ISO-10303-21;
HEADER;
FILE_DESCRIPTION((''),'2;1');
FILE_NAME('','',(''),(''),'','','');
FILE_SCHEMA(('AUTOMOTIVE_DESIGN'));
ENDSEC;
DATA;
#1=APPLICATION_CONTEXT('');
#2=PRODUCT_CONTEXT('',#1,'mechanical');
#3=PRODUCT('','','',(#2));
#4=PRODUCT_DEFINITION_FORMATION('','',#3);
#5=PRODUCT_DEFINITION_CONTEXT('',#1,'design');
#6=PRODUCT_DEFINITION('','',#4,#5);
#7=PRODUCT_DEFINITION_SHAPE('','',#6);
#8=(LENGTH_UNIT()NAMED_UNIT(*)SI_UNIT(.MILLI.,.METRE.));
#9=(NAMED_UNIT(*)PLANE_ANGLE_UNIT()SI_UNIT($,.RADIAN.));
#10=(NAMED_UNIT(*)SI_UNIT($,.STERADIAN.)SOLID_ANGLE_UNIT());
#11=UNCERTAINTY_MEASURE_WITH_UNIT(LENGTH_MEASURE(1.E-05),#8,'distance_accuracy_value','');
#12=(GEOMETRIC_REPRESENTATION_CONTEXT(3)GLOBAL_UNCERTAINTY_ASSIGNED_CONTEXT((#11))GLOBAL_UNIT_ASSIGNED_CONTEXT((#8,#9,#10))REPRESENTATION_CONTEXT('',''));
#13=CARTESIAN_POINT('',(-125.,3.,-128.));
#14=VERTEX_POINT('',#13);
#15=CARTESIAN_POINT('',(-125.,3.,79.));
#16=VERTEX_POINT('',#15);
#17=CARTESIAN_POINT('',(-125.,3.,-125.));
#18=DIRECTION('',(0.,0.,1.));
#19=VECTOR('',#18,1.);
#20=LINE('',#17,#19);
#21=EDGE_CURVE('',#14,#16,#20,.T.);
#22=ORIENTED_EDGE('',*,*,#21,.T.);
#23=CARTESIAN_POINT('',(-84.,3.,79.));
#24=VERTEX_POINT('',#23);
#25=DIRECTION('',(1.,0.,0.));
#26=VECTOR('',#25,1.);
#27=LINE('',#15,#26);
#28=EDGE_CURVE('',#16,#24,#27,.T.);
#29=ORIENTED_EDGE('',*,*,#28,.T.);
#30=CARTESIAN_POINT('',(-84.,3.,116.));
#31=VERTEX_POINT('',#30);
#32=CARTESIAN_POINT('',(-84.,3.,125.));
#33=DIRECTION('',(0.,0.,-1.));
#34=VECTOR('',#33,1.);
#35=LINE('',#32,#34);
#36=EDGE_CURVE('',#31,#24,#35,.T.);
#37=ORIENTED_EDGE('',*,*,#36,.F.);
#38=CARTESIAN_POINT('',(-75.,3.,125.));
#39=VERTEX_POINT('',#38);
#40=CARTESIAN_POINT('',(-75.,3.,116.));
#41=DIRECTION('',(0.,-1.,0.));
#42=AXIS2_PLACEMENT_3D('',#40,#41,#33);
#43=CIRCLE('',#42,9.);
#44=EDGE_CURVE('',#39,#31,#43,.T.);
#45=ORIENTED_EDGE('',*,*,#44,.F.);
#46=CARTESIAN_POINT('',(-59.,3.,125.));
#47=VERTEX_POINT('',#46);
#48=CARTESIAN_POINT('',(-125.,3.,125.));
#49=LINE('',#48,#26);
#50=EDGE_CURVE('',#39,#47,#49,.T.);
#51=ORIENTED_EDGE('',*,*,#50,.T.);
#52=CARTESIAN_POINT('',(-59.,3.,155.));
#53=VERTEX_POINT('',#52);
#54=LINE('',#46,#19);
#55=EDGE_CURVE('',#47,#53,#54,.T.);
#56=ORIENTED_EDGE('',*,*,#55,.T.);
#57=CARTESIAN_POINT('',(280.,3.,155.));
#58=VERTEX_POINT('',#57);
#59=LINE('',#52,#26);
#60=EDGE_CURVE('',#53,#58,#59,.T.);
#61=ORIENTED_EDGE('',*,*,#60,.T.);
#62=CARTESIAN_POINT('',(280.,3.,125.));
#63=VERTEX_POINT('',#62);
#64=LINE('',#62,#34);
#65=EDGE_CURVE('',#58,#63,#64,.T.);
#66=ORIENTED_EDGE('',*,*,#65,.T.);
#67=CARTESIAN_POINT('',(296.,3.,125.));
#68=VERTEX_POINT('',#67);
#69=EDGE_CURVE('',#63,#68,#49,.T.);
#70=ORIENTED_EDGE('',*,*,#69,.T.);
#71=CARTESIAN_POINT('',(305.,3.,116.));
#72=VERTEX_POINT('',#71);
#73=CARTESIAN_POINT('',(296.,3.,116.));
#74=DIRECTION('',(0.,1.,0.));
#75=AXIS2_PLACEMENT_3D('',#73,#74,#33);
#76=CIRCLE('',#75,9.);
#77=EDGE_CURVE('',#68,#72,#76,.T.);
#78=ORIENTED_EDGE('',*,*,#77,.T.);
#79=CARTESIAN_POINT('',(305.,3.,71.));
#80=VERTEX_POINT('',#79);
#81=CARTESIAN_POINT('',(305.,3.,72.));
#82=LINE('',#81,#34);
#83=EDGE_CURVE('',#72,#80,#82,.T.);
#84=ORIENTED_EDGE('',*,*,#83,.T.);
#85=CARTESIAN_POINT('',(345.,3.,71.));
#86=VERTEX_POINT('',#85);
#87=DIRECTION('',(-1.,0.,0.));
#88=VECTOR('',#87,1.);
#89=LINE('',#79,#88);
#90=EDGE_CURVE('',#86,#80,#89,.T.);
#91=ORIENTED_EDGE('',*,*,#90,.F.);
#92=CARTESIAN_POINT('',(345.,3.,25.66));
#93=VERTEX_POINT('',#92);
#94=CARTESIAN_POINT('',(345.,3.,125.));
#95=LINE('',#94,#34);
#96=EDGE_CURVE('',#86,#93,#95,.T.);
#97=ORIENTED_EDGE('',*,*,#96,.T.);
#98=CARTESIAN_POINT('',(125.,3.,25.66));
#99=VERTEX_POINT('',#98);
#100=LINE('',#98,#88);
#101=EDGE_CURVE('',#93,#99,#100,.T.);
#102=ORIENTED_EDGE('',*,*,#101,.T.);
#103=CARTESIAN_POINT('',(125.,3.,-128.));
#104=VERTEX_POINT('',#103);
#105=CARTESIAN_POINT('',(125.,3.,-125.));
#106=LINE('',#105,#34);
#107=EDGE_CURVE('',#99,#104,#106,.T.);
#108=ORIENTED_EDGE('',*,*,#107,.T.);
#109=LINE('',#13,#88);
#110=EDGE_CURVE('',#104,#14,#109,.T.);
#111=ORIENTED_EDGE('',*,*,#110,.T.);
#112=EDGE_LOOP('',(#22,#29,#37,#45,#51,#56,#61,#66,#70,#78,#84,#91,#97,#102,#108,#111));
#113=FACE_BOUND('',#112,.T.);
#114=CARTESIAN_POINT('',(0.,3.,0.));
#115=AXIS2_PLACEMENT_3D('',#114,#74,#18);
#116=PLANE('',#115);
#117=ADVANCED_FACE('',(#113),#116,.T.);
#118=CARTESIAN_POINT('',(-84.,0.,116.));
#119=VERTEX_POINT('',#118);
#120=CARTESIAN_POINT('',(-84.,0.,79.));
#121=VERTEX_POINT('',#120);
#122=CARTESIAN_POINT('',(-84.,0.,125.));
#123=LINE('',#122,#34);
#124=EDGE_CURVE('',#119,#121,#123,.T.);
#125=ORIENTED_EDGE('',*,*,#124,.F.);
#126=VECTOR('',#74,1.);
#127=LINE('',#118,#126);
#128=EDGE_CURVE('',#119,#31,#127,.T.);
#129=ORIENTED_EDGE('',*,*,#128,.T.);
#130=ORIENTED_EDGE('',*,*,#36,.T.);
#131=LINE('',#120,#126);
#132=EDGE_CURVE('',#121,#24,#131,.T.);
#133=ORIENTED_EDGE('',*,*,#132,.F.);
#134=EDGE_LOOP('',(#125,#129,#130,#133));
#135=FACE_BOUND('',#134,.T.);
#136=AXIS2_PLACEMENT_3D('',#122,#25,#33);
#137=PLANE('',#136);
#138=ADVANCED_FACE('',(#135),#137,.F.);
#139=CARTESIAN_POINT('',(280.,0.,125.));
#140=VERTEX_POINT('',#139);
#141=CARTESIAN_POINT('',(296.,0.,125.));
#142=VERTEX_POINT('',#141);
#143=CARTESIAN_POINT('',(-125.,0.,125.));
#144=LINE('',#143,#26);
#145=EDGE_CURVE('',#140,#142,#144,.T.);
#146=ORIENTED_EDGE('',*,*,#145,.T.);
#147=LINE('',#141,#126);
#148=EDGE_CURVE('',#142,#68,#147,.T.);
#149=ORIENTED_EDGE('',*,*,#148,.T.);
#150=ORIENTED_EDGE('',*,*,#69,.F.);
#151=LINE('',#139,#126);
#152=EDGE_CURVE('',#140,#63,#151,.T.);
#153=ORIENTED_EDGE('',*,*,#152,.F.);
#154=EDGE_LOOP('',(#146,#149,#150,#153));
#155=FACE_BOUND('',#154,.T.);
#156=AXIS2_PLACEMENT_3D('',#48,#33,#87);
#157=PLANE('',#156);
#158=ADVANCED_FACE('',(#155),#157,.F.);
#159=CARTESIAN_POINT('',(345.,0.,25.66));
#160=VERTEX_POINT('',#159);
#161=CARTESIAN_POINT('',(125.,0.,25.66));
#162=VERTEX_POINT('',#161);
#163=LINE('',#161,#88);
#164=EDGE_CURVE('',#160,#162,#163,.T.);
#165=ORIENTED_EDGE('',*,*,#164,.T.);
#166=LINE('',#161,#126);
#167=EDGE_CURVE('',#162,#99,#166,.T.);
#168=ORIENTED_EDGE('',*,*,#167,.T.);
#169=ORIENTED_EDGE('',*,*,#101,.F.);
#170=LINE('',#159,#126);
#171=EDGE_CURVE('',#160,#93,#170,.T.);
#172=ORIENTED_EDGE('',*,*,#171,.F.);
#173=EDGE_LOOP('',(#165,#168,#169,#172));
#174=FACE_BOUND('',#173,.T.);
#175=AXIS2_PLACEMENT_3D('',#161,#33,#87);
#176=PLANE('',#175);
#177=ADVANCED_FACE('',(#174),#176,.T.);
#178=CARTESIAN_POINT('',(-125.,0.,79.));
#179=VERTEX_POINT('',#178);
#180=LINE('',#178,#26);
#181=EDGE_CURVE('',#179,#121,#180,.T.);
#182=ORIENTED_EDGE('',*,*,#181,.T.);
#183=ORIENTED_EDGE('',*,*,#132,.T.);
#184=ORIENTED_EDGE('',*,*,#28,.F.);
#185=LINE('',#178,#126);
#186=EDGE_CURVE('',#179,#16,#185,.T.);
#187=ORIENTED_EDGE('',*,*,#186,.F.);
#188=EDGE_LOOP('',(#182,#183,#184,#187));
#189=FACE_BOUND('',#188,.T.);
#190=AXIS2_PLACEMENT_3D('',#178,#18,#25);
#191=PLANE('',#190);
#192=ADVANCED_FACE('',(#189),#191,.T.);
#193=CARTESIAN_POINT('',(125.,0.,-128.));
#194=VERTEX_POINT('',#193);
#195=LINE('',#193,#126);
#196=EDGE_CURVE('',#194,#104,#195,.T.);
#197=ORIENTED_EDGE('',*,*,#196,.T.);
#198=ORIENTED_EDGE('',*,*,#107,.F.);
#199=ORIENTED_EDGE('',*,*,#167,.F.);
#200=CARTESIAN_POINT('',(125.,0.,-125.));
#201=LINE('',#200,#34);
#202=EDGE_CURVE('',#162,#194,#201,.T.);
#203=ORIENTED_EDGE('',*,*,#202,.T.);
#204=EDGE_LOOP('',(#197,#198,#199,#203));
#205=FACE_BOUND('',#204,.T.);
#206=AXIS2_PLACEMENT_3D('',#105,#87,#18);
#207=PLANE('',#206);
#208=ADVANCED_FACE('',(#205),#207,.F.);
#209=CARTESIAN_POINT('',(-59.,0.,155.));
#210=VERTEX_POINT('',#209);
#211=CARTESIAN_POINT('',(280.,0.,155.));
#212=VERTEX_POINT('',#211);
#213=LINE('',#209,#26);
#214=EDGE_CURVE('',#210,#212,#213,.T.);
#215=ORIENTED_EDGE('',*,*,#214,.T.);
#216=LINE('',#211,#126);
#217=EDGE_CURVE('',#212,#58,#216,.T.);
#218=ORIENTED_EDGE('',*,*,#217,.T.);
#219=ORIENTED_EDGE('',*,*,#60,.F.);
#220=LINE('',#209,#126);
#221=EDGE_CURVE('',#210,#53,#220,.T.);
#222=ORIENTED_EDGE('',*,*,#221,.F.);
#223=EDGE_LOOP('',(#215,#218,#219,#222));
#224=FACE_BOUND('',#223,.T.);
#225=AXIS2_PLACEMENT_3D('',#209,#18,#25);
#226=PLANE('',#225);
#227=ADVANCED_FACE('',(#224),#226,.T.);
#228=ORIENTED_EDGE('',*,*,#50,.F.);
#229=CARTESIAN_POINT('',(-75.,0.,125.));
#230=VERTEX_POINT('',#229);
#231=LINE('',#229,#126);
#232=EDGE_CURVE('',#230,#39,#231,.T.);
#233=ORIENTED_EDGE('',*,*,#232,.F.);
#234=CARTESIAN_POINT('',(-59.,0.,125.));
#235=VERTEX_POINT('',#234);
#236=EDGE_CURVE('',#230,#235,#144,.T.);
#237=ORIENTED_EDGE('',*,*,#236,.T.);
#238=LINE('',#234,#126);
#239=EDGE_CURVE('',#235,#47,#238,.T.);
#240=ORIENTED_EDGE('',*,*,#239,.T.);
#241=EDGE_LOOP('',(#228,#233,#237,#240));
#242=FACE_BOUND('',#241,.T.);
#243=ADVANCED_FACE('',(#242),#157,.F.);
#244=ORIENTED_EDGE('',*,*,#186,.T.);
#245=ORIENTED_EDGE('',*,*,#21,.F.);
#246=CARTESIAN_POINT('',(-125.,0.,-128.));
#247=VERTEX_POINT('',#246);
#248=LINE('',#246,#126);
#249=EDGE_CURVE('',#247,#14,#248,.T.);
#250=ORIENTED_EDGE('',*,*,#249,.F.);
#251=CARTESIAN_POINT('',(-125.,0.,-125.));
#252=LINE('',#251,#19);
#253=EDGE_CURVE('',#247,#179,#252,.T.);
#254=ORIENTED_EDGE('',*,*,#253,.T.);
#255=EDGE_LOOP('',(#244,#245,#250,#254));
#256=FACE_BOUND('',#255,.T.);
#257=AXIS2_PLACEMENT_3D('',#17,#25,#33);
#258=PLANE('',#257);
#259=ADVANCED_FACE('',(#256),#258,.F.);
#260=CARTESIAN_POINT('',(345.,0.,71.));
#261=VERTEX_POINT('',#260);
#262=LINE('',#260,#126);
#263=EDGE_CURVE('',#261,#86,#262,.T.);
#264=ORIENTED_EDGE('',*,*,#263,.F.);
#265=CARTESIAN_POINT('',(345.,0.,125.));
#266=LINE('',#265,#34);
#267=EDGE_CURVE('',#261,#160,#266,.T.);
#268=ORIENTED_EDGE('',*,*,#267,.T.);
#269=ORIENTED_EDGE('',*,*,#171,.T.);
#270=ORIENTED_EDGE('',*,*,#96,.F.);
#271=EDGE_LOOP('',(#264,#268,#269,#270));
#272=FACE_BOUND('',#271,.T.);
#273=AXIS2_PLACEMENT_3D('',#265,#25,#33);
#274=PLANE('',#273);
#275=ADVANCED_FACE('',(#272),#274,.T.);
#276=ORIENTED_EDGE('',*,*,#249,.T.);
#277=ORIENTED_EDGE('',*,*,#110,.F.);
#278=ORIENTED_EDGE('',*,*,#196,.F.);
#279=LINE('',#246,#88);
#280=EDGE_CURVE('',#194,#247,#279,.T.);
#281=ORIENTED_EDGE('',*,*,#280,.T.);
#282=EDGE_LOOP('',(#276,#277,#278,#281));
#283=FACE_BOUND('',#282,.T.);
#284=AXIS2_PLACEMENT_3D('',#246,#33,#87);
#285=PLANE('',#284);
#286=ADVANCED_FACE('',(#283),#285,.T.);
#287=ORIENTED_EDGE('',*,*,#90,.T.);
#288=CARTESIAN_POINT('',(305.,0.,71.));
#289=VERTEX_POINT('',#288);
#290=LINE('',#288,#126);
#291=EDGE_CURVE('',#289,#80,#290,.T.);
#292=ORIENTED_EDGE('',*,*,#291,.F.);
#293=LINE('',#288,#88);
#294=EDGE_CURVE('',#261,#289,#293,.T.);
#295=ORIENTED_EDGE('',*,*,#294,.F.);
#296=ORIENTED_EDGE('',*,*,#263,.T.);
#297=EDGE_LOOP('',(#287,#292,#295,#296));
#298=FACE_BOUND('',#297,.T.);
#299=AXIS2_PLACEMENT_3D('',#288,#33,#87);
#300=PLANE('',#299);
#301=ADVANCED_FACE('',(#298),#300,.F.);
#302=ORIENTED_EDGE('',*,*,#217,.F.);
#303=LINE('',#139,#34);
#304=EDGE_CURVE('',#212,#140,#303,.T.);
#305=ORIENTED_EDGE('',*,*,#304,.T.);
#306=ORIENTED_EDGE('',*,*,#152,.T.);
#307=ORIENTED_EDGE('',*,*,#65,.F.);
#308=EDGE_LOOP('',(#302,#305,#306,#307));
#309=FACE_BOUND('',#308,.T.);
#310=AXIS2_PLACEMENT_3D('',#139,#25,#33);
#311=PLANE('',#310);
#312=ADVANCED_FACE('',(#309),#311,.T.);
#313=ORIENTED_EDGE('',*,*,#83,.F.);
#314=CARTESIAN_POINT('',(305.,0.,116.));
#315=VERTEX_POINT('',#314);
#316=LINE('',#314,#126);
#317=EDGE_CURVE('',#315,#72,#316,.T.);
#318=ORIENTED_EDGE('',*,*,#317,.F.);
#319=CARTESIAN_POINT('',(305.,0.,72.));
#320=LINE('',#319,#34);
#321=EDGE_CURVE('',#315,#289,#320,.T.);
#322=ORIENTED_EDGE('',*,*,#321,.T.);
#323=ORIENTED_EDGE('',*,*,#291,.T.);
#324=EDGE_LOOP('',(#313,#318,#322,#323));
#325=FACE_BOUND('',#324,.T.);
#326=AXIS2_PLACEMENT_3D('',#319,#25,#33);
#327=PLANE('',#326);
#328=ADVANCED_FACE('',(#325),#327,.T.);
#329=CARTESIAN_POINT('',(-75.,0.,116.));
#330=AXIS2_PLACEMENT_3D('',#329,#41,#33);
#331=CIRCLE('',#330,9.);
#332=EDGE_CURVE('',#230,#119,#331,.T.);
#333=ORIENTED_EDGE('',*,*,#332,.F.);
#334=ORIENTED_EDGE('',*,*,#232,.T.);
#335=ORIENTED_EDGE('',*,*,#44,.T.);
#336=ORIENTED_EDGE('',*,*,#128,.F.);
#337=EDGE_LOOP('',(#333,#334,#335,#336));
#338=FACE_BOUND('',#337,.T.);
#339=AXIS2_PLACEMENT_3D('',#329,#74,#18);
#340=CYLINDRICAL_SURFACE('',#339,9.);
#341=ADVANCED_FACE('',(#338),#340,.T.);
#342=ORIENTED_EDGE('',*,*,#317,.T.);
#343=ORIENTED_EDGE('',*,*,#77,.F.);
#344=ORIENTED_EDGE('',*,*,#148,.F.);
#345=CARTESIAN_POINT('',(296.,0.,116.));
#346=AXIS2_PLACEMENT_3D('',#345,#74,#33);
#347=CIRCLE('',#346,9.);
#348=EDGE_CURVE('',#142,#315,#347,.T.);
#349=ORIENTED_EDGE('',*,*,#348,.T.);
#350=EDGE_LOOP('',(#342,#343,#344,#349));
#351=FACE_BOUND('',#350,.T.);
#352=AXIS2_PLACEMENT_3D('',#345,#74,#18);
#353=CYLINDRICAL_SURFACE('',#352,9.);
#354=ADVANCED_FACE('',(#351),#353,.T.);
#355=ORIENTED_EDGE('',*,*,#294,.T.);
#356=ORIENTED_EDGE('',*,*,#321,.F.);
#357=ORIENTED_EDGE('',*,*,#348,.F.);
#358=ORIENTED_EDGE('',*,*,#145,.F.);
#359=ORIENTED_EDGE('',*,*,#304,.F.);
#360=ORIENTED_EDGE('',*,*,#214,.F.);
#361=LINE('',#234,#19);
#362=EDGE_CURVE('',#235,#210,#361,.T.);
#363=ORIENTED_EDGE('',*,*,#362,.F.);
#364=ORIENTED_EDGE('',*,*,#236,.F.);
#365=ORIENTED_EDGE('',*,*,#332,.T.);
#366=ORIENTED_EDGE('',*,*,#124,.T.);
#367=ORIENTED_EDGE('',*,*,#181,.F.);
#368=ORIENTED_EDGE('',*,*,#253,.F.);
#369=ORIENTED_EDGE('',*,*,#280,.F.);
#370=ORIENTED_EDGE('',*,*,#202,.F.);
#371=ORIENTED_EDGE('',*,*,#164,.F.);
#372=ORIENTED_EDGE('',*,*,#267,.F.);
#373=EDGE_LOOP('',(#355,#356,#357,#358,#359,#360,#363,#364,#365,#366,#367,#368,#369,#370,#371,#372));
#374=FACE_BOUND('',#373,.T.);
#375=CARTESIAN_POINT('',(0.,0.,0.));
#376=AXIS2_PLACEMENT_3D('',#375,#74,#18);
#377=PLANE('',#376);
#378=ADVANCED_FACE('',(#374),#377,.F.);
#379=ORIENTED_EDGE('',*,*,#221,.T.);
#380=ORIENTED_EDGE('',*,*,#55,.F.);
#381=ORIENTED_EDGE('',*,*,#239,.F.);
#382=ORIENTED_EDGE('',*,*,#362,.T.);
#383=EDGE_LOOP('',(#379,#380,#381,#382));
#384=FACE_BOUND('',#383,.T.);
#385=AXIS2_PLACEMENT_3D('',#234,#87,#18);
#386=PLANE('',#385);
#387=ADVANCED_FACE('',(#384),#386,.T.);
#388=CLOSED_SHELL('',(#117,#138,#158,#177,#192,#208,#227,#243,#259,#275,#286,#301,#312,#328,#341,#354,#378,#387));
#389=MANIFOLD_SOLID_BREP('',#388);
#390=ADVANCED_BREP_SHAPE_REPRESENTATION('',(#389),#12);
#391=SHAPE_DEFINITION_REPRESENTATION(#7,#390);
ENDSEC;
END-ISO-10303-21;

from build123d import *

# Parameters (mm, degrees)
CROQUIS1_W              = 250
CROQUIS1_H              = 250
SALIENTE_EXTRUIR1_DEPTH = 3
CROQUIS2_W              = 250
CROQUIS2_H              = 3
SALIENTE_EXTRUIR2_DEPTH = 3
CROQUIS3_W              = 220
CROQUIS3_H              = 99.34
SALIENTE_EXTRUIR4_DEPTH = 3
CROQUIS4_W              = 41
CROQUIS4_H              = 52
CORTAR_EXTRUIR1_DEPTH   = 3
CORTAR_EXTRUIR2_DEPTH   = 3
CROQUIS6_W              = 339
CROQUIS6_H              = 30
SALIENTE_EXTRUIR5_DEPTH = 3
CORTAR_EXTRUIR3_DEPTH   = 3
CROQUIS8_W              = 1
CROQUIS8_H              = 44
SALIENTE_EXTRUIR6_DEPTH = 3
SALIENTE_EXTRUIR7_DEPTH = 3
CROQUIS10_W             = 41
CROQUIS10_H             = 6
SALIENTE_EXTRUIR9_DEPTH = 3
CROQUIS11_W             = 40
CROQUIS11_H             = 1
CORTAR_EXTRUIR4_DEPTH   = 3


with BuildPart() as part:
    # Croquis1 → Saliente-Extruir1 (new body)
    with BuildSketch(Plane(origin=(0, 0, 0), x_dir=(1, 0, 0), z_dir=(0, 1, 0))):
        Rectangle(CROQUIS1_W, CROQUIS1_H)
    extrude(amount=SALIENTE_EXTRUIR1_DEPTH)

    # Croquis2 → Saliente-Extruir2 (add)
    with BuildSketch(Plane(origin=(0, 3, 0), x_dir=(1, 0, 0), z_dir=(0, 1, 0))):
        with Locations((0, 126.5)):
            Rectangle(CROQUIS2_W, CROQUIS2_H)
    extrude(amount=-SALIENTE_EXTRUIR2_DEPTH)

    # Croquis3 → Saliente-Extruir4 (add)
    with BuildSketch(Plane(origin=(0, 3, 0), x_dir=(1, 0, 0), z_dir=(0, 1, 0))):
        with Locations((235, -75.33)):
            Rectangle(CROQUIS3_W, CROQUIS3_H)
    extrude(amount=-SALIENTE_EXTRUIR4_DEPTH)

    # Croquis4 → Cortar-Extruir1 (cut)
    with BuildSketch(Plane(origin=(0, 3, 0), x_dir=(1, 0, 0), z_dir=(0, 1, 0))):
        with Locations((-104.5, -99)):
            Rectangle(CROQUIS4_W, CROQUIS4_H)
    extrude(amount=-CORTAR_EXTRUIR1_DEPTH, mode=Mode.SUBTRACT)

    # Croquis5 → Cortar-Extruir2 (cut)
    with BuildSketch(Plane(origin=(0, 3, 0), x_dir=(1, 0, 0), z_dir=(0, 1, 0))):
        with BuildLine():
            Line((-84, -116), (-84, -125))
            Line((-84, -125), (-75, -125))
            ThreePointArc((-75, -125), (-81.363961031, -122.363961031), (-84, -116))
        make_face()
    extrude(amount=-CORTAR_EXTRUIR2_DEPTH, mode=Mode.SUBTRACT)

    # Croquis6 → Saliente-Extruir5 (add)
    with BuildSketch(Plane(origin=(0, 3, 0), x_dir=(1, 0, 0), z_dir=(0, 1, 0))):
        with Locations((110.5, -140)):
            Rectangle(CROQUIS6_W, CROQUIS6_H)
    extrude(amount=-SALIENTE_EXTRUIR5_DEPTH)

    # Croquis7 → Cortar-Extruir3 (cut)
    with BuildSketch(Plane(origin=(0, 3, 0), x_dir=(1, 0, 0), z_dir=(0, 1, 0))):
        with BuildLine():
            Line((345, -72), (304, -72))
            Line((304, -72), (304, -116))
            ThreePointArc((304, -116), (301.363961031, -122.363961031), (295, -125))
            Line((295, -125), (345, -125))
            Line((345, -125), (345, -72))
        make_face()
    extrude(amount=-CORTAR_EXTRUIR3_DEPTH, mode=Mode.SUBTRACT)

    # Croquis8 → Saliente-Extruir6 (add)
    with BuildSketch(Plane(origin=(0, 3, 0), x_dir=(1, 0, 0), z_dir=(0, 1, 0))):
        with Locations((304.5, -94)):
            Rectangle(CROQUIS8_W, CROQUIS8_H)
    extrude(amount=-SALIENTE_EXTRUIR6_DEPTH)

    # Croquis9 → Saliente-Extruir7 (add)
    with BuildSketch(Plane(origin=(0, 3, 0), x_dir=(1, 0, 0), z_dir=(0, 1, 0))):
        with BuildLine():
            Line((295, -125), (296, -125))
            ThreePointArc((296, -125), (302.363961031, -122.363961031), (305, -116))
            Line((305, -116), (304, -116))
            Line((304, -116), (295, -125))
        make_face()
    extrude(amount=-SALIENTE_EXTRUIR7_DEPTH)

    # Croquis10 → Saliente-Extruir9 (add)
    with BuildSketch(Plane(origin=(0, 3, 0), x_dir=(1, 0, 0), z_dir=(0, 1, 0))):
        with Locations((-104.5, -76)):
            Rectangle(CROQUIS10_W, CROQUIS10_H)
    extrude(amount=-SALIENTE_EXTRUIR9_DEPTH)

    # Croquis11 → Cortar-Extruir4 (cut)
    with BuildSketch(Plane(origin=(0, 3, 0), x_dir=(1, 0, 0), z_dir=(0, 1, 0))):
        with Locations((325, -71.5)):
            Rectangle(CROQUIS11_W, CROQUIS11_H)
    extrude(amount=-CORTAR_EXTRUIR4_DEPTH, mode=Mode.SUBTRACT)


solid = part.part
